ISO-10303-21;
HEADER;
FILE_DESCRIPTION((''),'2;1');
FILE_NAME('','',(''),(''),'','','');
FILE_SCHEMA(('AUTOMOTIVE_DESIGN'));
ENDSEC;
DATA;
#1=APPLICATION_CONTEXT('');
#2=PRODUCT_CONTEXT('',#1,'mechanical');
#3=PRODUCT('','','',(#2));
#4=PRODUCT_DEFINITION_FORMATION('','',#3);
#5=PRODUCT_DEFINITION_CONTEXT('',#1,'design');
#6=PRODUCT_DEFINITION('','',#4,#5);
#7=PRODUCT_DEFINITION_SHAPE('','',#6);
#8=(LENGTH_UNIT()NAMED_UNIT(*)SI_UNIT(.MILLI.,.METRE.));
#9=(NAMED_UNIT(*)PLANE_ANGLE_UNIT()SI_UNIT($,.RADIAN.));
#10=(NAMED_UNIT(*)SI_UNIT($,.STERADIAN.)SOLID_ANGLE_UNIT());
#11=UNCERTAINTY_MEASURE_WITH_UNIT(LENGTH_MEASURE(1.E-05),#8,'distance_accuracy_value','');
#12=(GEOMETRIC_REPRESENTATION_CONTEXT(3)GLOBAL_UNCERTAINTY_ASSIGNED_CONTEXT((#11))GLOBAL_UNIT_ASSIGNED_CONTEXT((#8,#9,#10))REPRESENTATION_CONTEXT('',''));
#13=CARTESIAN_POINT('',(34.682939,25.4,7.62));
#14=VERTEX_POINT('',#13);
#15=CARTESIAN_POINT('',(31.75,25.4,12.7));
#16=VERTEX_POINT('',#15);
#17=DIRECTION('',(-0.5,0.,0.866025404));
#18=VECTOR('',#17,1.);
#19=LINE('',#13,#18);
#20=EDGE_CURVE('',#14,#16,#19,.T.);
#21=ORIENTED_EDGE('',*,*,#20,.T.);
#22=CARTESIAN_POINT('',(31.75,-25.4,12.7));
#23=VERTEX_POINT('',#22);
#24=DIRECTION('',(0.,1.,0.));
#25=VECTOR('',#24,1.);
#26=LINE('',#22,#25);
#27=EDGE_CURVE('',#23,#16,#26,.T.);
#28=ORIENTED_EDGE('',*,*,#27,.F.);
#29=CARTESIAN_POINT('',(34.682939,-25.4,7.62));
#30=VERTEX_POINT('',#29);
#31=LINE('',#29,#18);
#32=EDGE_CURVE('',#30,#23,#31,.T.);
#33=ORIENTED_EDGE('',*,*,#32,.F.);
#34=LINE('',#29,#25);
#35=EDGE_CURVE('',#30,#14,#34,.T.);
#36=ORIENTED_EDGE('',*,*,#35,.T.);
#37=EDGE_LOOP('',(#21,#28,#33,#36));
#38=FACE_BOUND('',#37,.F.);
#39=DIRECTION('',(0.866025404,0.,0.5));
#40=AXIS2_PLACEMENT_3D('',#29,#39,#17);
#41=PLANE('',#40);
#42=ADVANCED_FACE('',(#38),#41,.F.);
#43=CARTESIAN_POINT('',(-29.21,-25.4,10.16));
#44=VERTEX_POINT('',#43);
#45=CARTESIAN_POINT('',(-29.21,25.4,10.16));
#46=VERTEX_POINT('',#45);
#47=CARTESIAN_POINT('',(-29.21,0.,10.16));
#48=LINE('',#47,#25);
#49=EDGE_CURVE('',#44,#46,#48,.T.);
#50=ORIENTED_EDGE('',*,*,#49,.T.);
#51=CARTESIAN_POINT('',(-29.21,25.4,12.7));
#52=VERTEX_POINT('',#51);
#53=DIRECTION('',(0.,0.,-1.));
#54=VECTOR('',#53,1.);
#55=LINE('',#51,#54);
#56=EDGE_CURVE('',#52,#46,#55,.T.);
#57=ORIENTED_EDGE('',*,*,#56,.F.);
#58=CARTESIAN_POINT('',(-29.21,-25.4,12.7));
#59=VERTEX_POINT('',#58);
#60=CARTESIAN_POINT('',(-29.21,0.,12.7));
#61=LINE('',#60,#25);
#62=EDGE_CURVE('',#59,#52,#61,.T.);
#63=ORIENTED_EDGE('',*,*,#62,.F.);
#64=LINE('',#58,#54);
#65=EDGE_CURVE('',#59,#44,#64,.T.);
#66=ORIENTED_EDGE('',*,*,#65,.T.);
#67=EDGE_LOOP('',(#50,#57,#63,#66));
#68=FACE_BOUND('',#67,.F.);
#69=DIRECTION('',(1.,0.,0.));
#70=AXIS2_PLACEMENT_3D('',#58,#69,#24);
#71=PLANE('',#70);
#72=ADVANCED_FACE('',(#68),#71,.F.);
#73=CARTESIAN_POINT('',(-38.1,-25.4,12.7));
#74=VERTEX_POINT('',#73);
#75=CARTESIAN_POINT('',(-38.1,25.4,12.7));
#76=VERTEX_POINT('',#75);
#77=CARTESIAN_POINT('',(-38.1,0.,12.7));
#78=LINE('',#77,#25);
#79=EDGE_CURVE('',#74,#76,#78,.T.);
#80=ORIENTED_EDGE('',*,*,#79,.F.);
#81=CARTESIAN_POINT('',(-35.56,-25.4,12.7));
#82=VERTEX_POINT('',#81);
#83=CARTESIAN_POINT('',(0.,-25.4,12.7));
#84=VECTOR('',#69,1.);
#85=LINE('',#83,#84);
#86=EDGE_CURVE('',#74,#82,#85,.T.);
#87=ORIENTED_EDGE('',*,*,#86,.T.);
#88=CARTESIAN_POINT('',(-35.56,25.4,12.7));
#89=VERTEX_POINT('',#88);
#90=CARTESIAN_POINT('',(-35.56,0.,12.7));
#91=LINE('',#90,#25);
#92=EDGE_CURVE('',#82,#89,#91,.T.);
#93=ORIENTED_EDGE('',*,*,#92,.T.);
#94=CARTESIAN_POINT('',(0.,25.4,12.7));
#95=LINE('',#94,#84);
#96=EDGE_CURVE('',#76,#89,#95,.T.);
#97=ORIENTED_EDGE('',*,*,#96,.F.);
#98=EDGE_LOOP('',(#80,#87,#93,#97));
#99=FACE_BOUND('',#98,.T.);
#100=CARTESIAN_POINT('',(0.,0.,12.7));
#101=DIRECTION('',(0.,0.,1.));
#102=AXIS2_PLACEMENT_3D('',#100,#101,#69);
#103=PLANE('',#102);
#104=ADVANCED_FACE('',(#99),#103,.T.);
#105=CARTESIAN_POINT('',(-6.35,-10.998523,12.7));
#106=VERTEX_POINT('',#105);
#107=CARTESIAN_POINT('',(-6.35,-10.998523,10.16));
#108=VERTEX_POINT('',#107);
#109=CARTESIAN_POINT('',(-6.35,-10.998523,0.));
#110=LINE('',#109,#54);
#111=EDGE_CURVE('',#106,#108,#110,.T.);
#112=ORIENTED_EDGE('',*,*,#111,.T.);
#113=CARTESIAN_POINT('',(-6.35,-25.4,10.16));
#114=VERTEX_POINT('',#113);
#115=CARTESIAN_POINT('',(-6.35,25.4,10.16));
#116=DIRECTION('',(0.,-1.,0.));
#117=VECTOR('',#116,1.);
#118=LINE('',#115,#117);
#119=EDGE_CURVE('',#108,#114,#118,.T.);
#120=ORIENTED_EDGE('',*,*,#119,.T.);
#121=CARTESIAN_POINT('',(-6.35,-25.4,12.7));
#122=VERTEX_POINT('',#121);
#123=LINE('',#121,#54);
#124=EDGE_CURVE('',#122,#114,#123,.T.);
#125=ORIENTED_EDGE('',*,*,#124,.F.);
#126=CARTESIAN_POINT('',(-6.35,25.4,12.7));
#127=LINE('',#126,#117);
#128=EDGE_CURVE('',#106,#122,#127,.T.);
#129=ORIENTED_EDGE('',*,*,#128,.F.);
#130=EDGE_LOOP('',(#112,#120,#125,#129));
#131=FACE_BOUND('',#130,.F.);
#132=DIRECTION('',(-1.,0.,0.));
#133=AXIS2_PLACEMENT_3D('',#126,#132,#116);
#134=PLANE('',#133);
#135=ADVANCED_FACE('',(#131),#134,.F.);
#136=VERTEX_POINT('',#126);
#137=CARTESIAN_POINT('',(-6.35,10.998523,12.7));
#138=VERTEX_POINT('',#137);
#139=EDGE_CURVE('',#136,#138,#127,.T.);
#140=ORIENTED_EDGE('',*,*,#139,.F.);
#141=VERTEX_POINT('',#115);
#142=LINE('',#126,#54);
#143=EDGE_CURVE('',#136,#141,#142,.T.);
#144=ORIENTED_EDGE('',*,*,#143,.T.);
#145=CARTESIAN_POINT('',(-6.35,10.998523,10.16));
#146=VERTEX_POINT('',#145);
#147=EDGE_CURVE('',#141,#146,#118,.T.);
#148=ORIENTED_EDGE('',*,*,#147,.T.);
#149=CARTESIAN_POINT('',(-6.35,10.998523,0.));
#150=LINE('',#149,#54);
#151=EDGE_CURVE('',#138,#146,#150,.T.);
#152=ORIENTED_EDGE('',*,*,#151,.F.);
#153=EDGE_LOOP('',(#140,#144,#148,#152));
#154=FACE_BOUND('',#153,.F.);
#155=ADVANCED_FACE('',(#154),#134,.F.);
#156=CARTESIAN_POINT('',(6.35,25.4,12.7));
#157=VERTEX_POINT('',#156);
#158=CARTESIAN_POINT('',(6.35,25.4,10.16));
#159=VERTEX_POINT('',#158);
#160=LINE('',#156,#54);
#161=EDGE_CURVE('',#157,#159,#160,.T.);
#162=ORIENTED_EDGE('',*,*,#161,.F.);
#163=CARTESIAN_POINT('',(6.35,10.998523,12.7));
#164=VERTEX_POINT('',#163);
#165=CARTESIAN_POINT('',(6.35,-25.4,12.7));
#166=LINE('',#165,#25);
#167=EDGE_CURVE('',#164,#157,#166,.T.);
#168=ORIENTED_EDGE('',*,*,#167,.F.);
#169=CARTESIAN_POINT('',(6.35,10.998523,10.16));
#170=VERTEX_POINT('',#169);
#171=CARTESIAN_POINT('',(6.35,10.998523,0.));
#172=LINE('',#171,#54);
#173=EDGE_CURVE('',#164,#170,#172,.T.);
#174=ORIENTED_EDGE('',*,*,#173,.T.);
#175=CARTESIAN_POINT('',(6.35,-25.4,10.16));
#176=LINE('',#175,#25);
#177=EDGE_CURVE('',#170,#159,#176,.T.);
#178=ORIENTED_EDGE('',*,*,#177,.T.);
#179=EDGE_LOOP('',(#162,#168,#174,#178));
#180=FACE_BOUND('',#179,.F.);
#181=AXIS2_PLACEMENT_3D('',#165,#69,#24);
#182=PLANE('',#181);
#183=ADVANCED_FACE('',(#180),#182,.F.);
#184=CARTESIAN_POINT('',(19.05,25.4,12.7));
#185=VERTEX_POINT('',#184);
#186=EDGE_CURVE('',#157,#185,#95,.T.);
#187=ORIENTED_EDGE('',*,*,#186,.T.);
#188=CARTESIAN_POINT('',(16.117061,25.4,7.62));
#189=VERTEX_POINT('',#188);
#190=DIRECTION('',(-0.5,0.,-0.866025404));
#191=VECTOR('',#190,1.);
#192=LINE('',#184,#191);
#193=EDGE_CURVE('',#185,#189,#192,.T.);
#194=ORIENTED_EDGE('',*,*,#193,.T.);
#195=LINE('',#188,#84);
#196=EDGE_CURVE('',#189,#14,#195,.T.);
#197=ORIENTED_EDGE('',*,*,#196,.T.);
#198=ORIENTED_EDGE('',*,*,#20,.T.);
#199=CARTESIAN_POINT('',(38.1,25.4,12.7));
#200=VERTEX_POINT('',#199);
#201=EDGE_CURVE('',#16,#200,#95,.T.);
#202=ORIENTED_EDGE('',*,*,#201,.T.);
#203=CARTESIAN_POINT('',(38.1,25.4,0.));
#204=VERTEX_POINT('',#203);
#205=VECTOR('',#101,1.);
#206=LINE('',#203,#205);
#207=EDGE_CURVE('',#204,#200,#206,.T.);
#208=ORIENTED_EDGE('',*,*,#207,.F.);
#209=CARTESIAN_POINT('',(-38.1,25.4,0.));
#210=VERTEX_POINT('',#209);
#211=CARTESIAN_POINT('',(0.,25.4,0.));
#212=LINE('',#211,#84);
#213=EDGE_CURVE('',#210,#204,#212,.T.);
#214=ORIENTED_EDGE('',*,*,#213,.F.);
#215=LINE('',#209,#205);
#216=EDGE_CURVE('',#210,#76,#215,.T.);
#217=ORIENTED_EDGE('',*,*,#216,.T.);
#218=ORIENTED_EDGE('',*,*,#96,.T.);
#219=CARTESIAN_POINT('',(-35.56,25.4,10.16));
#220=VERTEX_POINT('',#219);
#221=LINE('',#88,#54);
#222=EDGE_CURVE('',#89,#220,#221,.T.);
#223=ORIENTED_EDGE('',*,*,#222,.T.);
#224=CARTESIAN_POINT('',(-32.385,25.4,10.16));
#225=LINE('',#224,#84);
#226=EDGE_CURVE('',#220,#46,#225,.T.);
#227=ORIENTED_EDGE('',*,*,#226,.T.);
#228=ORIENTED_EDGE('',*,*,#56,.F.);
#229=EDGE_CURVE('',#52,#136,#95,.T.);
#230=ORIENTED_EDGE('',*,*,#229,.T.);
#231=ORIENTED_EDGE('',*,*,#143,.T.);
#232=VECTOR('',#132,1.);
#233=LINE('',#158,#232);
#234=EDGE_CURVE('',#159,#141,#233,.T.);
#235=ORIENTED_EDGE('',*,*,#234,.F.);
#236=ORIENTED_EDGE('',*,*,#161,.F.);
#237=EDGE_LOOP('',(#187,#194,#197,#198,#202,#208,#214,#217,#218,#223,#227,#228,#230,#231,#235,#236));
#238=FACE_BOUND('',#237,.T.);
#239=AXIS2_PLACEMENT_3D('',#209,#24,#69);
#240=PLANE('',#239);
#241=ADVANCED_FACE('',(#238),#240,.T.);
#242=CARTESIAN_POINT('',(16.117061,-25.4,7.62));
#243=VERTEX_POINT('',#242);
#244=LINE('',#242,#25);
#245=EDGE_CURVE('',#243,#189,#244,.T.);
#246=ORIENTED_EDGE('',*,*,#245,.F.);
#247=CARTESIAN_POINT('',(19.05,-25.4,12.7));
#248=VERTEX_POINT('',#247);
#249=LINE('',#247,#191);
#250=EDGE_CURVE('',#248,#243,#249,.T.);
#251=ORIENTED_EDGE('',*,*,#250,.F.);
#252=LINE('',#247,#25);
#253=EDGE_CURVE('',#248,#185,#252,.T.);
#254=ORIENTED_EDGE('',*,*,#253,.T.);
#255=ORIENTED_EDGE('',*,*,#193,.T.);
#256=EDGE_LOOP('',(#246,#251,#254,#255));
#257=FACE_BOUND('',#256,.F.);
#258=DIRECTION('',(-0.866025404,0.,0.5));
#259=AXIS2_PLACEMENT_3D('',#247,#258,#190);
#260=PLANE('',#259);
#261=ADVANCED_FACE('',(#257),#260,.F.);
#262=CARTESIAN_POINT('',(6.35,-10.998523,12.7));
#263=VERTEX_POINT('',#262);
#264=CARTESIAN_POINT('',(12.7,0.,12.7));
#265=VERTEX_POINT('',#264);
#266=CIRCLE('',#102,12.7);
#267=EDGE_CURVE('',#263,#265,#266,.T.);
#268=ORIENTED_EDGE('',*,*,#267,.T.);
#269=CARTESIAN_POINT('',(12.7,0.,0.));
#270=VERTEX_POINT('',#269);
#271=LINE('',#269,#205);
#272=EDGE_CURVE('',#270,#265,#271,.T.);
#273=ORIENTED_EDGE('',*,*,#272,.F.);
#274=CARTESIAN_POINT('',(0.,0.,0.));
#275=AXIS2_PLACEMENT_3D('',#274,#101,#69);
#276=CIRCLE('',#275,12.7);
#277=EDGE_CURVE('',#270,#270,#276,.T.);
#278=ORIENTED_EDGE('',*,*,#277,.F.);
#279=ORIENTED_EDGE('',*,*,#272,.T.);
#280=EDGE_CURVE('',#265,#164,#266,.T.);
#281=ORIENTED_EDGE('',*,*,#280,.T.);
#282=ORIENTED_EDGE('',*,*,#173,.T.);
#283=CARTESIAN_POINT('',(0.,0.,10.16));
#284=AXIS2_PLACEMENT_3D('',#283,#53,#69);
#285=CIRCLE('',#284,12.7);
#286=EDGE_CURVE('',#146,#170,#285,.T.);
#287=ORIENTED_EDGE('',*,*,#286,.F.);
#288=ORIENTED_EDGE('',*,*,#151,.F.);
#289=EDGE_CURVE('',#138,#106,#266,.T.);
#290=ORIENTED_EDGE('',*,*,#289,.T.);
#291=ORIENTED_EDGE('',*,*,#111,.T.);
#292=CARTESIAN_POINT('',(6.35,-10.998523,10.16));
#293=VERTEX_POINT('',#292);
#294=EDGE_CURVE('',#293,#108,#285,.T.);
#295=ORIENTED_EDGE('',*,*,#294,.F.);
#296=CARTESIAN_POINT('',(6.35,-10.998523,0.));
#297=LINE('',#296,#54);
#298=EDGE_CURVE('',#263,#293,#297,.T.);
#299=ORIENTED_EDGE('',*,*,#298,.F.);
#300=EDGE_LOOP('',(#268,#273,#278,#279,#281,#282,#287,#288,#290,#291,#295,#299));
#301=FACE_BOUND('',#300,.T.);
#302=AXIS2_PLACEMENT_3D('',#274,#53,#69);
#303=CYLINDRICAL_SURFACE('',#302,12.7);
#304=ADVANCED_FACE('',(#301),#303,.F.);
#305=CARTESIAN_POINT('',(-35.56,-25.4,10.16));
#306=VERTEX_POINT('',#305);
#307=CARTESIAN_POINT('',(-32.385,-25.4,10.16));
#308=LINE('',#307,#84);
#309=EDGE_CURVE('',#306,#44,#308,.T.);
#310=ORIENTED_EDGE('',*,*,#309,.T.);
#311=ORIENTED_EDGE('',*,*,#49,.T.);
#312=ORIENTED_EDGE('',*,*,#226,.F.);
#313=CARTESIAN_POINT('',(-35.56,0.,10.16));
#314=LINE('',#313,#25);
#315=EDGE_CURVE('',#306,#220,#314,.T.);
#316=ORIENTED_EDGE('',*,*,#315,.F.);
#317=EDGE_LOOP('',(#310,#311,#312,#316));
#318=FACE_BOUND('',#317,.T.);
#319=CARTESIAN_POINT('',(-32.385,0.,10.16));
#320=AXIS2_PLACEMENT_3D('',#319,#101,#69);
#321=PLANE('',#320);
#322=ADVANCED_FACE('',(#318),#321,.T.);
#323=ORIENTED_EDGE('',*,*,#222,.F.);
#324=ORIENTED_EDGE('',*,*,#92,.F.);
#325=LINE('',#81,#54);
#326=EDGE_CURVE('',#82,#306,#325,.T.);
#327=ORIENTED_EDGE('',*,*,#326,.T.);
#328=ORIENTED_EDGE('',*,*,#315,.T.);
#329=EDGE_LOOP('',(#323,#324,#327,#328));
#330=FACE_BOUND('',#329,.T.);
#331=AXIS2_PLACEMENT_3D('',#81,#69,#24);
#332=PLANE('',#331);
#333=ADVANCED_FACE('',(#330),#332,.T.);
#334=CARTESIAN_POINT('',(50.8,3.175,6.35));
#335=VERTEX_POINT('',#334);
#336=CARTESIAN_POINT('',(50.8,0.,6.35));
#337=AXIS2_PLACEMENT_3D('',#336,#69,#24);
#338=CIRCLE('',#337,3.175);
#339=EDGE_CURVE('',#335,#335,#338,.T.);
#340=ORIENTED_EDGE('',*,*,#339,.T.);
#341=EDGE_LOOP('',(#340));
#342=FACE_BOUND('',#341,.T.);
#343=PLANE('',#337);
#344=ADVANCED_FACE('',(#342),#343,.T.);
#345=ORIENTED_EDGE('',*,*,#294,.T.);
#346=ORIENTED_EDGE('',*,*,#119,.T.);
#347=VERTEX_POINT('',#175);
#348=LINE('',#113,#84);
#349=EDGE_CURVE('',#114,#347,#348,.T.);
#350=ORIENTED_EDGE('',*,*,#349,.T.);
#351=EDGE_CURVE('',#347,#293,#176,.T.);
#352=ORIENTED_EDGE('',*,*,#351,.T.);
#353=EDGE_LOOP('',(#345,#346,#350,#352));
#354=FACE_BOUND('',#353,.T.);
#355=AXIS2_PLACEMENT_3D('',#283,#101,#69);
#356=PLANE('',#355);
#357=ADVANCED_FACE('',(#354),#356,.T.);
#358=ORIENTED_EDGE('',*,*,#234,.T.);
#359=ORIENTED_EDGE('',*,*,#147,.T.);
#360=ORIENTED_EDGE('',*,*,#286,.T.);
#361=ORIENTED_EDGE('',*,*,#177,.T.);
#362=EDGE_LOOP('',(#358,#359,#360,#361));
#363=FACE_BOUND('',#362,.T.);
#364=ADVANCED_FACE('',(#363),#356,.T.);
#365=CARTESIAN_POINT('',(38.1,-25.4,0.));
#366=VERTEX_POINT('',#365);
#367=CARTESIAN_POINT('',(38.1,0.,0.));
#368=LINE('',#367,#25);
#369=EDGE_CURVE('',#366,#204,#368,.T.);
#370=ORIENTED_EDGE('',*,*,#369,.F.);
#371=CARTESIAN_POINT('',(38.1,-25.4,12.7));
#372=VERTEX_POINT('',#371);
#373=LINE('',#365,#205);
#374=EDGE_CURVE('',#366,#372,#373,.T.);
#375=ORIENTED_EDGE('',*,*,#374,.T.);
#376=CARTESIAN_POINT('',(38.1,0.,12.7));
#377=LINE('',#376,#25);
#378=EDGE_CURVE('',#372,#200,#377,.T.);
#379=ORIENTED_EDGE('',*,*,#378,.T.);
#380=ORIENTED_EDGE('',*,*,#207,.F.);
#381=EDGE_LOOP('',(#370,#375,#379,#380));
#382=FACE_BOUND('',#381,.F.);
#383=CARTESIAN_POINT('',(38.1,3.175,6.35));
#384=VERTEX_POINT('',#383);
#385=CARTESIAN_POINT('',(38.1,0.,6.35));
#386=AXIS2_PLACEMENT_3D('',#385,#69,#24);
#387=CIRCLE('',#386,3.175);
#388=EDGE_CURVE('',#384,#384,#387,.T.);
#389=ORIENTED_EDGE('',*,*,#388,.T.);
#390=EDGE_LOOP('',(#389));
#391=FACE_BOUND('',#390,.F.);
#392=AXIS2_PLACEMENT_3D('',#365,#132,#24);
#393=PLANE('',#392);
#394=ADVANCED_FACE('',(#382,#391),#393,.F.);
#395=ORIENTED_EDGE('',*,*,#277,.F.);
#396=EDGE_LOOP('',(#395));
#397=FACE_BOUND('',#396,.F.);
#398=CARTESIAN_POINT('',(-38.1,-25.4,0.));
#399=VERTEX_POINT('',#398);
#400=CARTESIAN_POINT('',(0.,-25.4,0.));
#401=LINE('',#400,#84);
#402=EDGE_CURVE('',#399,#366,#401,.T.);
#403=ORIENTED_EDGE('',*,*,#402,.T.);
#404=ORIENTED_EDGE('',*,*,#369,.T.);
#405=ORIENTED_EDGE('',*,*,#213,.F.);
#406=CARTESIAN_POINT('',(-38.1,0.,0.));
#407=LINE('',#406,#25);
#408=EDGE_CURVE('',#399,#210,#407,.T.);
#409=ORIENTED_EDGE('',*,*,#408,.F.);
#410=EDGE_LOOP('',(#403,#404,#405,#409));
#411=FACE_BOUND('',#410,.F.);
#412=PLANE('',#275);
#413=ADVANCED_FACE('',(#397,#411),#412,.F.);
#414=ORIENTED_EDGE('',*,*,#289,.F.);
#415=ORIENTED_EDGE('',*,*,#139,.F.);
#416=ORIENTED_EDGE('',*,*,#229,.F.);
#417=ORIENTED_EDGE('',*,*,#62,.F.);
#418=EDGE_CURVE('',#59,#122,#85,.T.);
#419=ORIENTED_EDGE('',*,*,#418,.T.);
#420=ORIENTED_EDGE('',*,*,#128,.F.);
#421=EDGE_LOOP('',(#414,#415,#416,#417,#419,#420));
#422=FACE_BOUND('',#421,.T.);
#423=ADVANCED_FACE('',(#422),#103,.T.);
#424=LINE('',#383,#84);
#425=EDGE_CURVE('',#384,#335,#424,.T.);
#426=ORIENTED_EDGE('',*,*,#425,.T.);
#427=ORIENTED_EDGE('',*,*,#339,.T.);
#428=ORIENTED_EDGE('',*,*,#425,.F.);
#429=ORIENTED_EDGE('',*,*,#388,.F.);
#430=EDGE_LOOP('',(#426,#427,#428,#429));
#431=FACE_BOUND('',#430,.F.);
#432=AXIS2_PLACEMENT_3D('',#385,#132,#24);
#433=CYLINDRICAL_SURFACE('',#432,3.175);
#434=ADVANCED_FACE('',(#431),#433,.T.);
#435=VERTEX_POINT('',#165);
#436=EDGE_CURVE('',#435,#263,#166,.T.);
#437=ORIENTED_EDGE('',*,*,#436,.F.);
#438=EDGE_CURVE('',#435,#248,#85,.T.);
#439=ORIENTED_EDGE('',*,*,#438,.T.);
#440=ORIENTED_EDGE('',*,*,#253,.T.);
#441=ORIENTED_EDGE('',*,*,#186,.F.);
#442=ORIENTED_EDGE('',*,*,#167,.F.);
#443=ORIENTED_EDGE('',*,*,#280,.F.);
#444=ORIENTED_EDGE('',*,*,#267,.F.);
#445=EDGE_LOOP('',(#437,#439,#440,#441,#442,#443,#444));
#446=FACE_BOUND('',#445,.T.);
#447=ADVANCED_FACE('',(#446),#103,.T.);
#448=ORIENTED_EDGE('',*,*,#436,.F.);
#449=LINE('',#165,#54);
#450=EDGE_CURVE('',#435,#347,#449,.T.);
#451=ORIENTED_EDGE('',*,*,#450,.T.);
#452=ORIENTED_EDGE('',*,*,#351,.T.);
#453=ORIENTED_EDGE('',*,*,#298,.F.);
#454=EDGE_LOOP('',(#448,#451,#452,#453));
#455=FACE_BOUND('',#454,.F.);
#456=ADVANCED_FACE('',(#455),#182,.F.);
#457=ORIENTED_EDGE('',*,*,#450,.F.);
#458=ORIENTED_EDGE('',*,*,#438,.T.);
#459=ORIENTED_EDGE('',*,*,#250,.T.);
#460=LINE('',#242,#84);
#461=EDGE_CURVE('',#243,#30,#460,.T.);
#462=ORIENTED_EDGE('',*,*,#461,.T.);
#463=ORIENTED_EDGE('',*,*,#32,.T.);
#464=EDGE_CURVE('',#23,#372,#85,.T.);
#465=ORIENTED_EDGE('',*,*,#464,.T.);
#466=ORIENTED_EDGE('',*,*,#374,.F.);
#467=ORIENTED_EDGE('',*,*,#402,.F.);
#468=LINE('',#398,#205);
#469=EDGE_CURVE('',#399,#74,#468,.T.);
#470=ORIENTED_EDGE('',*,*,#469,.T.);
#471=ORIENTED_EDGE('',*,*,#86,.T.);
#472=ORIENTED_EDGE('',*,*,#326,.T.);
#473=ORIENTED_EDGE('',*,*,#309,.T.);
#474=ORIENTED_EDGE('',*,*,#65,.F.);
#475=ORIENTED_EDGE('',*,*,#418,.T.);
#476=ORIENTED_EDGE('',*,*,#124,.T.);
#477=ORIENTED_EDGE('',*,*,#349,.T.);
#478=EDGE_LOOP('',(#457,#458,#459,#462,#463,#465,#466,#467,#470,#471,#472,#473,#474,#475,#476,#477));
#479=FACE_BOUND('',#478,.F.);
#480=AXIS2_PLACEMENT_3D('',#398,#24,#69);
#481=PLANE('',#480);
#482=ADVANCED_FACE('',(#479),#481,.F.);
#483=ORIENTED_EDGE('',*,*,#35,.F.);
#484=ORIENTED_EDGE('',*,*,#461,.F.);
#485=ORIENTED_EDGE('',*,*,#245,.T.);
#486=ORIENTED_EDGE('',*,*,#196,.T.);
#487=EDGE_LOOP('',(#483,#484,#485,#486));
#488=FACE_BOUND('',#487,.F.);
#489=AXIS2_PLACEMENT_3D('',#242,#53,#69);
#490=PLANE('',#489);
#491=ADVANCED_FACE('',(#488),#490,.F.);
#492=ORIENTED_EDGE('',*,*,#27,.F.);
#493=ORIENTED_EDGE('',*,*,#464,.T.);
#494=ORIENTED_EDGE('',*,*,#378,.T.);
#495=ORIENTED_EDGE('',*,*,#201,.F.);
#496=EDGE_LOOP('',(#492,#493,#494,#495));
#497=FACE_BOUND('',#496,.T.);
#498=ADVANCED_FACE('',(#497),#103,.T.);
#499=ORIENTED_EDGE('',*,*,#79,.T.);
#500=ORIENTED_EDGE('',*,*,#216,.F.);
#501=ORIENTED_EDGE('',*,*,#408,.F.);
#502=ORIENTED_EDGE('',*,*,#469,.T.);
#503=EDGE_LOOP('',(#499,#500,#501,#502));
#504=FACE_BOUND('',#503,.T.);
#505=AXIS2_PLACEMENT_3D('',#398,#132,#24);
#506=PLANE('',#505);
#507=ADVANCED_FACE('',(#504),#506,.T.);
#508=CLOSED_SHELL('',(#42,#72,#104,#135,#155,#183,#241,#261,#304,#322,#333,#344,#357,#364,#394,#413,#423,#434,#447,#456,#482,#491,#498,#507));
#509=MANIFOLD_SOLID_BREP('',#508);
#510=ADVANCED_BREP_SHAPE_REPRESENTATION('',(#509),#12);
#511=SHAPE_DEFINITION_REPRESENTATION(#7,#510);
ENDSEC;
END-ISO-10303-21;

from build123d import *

# Parameters (mm, degrees)
F0_W     = 76.2
F0_H     = 50.8
F0_R     = 12.7
F1_DEPTH = 12.7
F2_W     = 6.35
F2_H     = 50.8
F3_DEPTH = 2.54
F5_DEPTH = 50.8
F6_R     = 3.175
F7_DEPTH = 12.7


with BuildPart() as f1:
    # F0 (on Top) → F1 (new body)
    with BuildSketch(Plane.XY):
        Rectangle(F0_W, F0_H)
        Circle(F0_R, mode=Mode.SUBTRACT)
    extrude(amount=F1_DEPTH)

    # F2 (on face) → F3 (cut)
    with BuildSketch(Plane.XY.offset(12.7)):
        with BuildLine():
            ThreePointArc((6.35, 10.9985226281), (0, 12.7), (-6.35, 10.9985226281))
            Line((-6.35, 10.9985226281), (-6.35, -10.9985226281))
            ThreePointArc((-6.35, -10.9985226281), (0, -12.7), (6.35, -10.9985226281))
            Line((6.35, -10.9985226281), (6.35, 10.9985226281))
        make_face()
        with Locations((-32.385, 0)):
            Rectangle(F2_W, F2_H)
        with BuildLine():
            Line((-6.35, -10.9985226281), (-6.35, -25.4))
            Line((-6.35, -25.4), (6.35, -25.4))
            Line((6.35, -25.4), (6.35, -10.9985226281))
            ThreePointArc((6.35, -10.9985226281), (0, -12.7), (-6.35, -10.9985226281))
        make_face()
        with BuildLine():
            Line((6.35, 25.4), (-6.35, 25.4))
            Line((-6.35, 25.4), (-6.35, 10.9985226281))
            ThreePointArc((-6.35, 10.9985226281), (0, 12.7), (6.35, 10.9985226281))
            Line((6.35, 10.9985226281), (6.35, 25.4))
        make_face()
    extrude(amount=-F3_DEPTH, mode=Mode.SUBTRACT)

    # F4 (on face) → F5 (cut, through all)
    with BuildSketch(Plane.XZ.offset(25.4)):
        Polygon((31.75, 12.7), (19.05, 12.7), (16.1170606325, 7.62), (34.6829393675, 7.62), align=None)
    extrude(amount=-F5_DEPTH, mode=Mode.SUBTRACT)

    # F6 (on face) → F7 (join)
    with BuildSketch(Plane.YZ.offset(38.1)):
        with Locations((0, 6.35)):
            Circle(F6_R)
    extrude(amount=F7_DEPTH)


solid = f1.part
